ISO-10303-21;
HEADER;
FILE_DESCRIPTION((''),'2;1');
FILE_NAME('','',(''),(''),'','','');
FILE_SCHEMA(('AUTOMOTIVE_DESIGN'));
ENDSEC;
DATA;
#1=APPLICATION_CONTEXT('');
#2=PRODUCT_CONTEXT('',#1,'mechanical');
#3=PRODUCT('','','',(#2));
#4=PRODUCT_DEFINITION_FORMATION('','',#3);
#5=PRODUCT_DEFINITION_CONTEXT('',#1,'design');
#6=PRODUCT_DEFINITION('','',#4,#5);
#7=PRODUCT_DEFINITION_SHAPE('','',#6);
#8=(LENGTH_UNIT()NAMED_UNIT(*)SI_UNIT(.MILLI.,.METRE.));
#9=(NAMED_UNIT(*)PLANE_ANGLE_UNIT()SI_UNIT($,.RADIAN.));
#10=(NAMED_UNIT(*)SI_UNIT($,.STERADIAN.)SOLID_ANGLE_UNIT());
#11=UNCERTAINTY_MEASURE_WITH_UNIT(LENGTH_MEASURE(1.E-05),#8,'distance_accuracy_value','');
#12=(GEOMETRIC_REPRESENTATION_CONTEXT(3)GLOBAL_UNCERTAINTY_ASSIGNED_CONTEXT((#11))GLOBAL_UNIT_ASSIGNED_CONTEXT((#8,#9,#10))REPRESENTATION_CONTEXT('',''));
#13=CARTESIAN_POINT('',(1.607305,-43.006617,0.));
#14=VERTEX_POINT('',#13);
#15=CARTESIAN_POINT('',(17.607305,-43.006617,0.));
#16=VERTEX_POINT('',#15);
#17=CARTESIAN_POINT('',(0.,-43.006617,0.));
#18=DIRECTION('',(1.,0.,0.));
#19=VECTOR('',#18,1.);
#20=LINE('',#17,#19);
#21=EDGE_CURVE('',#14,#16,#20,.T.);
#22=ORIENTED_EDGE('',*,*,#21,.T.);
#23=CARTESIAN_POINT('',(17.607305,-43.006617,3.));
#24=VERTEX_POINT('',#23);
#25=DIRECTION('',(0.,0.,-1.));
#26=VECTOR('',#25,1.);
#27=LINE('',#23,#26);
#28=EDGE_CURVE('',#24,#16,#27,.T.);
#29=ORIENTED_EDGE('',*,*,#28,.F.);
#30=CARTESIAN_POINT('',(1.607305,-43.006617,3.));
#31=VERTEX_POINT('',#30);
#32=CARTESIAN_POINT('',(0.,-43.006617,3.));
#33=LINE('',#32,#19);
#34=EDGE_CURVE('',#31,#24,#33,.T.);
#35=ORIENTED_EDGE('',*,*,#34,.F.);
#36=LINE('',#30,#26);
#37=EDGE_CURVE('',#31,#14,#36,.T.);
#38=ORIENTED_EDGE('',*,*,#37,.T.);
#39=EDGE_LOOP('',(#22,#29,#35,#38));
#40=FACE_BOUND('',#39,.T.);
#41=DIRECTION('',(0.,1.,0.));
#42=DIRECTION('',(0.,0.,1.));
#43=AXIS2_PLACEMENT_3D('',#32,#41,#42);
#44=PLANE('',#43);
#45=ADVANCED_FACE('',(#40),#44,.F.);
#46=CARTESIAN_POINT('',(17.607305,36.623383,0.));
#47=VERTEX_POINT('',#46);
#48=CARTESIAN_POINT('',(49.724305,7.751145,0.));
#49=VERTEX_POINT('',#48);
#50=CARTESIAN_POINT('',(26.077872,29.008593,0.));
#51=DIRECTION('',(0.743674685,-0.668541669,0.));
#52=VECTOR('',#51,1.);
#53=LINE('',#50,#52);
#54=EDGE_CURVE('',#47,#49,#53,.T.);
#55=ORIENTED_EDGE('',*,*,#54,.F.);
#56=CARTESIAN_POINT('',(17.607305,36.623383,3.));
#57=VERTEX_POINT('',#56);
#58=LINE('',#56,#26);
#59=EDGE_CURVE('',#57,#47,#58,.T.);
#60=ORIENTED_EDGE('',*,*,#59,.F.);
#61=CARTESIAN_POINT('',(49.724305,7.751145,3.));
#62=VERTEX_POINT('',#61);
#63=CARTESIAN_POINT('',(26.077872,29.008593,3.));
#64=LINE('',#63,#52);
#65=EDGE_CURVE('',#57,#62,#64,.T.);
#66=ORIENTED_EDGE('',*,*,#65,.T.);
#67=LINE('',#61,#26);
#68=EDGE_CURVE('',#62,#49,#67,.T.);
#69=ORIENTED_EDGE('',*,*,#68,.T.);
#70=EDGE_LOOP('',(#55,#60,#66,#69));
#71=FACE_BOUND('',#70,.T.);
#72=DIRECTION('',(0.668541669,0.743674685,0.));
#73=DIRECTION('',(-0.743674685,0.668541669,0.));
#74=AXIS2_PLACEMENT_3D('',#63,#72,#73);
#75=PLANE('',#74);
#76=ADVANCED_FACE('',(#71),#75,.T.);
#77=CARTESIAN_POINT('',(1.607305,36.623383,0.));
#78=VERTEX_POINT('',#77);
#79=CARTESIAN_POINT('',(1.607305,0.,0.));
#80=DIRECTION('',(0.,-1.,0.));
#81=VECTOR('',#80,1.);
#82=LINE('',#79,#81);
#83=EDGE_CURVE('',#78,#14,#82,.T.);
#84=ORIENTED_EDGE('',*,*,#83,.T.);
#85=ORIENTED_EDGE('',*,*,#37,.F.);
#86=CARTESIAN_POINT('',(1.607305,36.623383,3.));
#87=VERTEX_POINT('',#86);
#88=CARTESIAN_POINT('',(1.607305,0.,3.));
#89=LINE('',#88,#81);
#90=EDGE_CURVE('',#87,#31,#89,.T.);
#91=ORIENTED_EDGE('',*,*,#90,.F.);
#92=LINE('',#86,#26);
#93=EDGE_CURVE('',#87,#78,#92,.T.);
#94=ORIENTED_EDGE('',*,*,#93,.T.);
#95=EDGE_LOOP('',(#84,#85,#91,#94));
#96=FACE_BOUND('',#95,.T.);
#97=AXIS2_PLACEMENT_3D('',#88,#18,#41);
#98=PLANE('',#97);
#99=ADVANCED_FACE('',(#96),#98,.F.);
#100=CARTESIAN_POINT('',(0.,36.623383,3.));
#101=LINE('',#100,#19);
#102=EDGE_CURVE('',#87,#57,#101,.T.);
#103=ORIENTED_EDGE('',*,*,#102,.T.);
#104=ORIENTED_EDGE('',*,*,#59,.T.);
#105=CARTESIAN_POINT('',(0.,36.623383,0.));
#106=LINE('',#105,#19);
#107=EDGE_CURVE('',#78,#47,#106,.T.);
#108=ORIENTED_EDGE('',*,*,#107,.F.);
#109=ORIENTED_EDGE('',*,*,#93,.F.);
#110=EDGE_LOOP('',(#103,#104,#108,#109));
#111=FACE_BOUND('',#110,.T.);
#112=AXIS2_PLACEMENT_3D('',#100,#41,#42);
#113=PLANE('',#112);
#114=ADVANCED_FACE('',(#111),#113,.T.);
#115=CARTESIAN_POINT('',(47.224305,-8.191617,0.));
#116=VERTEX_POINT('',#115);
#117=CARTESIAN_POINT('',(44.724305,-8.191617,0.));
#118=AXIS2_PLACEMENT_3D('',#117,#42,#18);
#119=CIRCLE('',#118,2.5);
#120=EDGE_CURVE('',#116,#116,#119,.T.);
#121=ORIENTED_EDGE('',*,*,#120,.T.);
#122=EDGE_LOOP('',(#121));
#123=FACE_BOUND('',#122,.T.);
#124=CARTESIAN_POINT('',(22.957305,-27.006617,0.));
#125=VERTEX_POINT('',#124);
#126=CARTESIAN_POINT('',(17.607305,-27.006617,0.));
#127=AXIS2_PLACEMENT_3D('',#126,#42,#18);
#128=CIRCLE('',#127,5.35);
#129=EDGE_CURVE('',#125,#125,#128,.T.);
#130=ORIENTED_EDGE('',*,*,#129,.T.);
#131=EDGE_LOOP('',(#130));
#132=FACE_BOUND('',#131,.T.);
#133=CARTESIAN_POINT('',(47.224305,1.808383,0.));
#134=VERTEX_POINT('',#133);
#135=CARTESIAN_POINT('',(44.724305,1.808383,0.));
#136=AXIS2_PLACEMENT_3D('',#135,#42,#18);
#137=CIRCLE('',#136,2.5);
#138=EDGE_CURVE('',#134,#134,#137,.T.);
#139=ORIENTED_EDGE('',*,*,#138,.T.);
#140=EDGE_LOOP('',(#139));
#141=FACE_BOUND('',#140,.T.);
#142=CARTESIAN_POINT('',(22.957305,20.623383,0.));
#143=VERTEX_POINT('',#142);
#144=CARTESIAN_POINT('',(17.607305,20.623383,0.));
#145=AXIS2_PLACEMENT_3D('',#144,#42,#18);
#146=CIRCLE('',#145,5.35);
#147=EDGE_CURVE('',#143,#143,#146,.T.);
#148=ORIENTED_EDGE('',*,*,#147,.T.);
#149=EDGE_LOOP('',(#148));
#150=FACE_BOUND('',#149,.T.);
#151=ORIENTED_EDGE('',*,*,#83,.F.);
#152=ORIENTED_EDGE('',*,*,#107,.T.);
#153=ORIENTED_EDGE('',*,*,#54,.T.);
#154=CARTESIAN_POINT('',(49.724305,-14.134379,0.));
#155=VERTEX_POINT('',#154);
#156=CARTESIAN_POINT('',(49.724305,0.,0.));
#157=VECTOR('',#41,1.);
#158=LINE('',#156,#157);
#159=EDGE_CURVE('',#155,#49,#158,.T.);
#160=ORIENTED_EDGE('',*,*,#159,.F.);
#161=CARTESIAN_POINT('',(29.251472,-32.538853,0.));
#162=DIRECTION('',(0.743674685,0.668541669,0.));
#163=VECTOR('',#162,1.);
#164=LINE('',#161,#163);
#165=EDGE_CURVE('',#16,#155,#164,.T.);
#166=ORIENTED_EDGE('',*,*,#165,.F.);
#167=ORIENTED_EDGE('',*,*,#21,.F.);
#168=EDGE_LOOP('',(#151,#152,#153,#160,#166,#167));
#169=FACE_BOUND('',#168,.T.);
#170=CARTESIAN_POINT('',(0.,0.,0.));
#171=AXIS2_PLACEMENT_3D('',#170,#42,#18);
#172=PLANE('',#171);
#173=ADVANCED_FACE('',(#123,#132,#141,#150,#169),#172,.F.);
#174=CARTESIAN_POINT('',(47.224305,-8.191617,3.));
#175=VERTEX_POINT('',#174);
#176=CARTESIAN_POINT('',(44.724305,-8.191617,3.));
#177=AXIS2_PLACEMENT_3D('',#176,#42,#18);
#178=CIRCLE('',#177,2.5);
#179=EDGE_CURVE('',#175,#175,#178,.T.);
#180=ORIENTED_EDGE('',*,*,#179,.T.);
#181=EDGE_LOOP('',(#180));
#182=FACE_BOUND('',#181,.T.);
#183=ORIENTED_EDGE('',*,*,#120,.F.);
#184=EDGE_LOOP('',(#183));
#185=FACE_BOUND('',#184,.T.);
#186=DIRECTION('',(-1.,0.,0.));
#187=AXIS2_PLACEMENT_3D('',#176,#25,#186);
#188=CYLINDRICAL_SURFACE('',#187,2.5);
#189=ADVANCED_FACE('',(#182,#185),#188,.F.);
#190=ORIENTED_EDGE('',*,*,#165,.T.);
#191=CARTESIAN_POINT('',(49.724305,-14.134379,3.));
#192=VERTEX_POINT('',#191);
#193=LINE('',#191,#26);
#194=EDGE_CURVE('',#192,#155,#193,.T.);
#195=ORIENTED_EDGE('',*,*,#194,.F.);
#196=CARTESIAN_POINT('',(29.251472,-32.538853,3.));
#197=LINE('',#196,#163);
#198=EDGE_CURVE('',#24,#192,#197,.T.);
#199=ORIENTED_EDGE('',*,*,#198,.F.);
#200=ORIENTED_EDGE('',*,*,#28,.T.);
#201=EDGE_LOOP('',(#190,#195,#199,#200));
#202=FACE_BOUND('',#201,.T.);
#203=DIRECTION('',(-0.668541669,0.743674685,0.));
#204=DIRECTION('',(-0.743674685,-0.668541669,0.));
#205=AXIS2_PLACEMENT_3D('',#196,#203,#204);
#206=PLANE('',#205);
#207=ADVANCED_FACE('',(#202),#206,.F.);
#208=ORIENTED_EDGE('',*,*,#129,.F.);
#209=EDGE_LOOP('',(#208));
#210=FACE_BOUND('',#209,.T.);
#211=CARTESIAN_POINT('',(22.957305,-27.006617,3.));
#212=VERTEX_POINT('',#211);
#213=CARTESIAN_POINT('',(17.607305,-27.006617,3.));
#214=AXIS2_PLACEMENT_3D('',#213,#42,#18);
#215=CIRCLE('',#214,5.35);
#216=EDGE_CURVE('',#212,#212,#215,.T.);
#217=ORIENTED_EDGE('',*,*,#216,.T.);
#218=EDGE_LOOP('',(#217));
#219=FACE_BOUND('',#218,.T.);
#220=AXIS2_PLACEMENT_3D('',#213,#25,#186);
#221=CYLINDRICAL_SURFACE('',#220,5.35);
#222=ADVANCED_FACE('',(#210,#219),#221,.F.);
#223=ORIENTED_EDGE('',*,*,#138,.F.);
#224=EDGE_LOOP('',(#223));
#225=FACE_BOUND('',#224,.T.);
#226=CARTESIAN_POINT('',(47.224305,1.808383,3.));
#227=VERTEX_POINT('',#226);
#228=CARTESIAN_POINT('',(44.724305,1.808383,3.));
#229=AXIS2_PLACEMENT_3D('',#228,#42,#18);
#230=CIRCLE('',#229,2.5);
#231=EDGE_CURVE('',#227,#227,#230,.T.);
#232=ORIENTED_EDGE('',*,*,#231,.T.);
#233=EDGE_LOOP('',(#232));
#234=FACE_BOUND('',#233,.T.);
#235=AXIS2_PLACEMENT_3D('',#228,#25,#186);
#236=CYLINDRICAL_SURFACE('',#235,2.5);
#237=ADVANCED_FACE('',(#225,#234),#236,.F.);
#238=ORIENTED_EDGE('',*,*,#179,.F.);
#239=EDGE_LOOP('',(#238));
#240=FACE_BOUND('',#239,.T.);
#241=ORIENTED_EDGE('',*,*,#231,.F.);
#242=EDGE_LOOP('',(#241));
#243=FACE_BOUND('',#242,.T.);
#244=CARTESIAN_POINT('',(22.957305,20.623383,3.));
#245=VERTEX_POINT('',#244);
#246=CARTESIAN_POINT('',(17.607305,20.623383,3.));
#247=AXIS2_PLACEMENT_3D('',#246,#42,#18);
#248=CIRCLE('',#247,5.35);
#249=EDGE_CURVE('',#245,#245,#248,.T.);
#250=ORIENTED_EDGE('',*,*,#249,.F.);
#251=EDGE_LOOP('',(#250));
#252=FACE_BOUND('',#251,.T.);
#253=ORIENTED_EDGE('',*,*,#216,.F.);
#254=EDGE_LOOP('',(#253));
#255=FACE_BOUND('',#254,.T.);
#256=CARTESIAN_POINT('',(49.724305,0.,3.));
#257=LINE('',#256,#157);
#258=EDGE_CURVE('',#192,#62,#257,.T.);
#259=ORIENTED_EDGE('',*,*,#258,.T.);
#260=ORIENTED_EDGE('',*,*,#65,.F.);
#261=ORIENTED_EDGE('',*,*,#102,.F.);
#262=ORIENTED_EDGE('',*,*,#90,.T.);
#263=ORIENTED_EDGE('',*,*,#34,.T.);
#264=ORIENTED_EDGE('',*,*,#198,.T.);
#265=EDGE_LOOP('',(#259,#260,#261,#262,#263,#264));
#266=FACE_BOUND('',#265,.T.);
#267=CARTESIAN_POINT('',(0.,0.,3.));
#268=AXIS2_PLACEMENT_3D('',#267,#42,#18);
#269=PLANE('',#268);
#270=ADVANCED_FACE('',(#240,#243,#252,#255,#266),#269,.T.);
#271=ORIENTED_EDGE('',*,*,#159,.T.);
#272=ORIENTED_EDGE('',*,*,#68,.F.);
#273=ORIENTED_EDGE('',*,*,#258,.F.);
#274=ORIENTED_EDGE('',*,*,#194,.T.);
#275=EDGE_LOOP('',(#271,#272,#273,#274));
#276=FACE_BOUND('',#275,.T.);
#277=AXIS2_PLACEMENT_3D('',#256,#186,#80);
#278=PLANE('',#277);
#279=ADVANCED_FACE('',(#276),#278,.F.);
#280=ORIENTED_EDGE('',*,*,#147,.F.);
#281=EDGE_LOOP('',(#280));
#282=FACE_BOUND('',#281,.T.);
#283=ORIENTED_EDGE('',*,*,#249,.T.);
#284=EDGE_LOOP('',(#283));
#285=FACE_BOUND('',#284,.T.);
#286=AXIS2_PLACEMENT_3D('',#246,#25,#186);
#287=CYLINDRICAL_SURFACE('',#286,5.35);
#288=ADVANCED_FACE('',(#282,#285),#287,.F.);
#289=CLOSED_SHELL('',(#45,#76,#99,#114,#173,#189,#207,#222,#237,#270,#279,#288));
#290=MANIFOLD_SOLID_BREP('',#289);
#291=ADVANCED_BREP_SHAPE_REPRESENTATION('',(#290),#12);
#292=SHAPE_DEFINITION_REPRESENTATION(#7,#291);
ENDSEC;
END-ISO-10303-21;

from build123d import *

# Parameters (mm, degrees)
SKETCH1_R           = 5.35
SKETCH1_R_2         = 2.5
BOSS_EXTRUDE1_DEPTH = 3


with BuildPart() as part:
    # Sketch1 → Boss-Extrude1 (new body)
    with BuildSketch(Plane.XY):
        Polygon((17.607305335, 36.623383418), (1.607305335, 36.623383418), (1.607305335, -43.006616582), (17.607305335, -43.006616582), (49.72430499, -14.134378509), (49.72430499, 7.751145345), align=None)
        with Locations((17.607305335, -27.006616582)):
            Circle(SKETCH1_R, mode=Mode.SUBTRACT)
        with Locations((44.72430499, -8.191616582)):
            Circle(SKETCH1_R_2, mode=Mode.SUBTRACT)
        with Locations((44.72430499, 1.808383418)):
            Circle(SKETCH1_R_2, mode=Mode.SUBTRACT)
        with Locations((17.607305335, 20.623383418)):
            Circle(SKETCH1_R, mode=Mode.SUBTRACT)
    extrude(amount=BOSS_EXTRUDE1_DEPTH)


solid = part.part
